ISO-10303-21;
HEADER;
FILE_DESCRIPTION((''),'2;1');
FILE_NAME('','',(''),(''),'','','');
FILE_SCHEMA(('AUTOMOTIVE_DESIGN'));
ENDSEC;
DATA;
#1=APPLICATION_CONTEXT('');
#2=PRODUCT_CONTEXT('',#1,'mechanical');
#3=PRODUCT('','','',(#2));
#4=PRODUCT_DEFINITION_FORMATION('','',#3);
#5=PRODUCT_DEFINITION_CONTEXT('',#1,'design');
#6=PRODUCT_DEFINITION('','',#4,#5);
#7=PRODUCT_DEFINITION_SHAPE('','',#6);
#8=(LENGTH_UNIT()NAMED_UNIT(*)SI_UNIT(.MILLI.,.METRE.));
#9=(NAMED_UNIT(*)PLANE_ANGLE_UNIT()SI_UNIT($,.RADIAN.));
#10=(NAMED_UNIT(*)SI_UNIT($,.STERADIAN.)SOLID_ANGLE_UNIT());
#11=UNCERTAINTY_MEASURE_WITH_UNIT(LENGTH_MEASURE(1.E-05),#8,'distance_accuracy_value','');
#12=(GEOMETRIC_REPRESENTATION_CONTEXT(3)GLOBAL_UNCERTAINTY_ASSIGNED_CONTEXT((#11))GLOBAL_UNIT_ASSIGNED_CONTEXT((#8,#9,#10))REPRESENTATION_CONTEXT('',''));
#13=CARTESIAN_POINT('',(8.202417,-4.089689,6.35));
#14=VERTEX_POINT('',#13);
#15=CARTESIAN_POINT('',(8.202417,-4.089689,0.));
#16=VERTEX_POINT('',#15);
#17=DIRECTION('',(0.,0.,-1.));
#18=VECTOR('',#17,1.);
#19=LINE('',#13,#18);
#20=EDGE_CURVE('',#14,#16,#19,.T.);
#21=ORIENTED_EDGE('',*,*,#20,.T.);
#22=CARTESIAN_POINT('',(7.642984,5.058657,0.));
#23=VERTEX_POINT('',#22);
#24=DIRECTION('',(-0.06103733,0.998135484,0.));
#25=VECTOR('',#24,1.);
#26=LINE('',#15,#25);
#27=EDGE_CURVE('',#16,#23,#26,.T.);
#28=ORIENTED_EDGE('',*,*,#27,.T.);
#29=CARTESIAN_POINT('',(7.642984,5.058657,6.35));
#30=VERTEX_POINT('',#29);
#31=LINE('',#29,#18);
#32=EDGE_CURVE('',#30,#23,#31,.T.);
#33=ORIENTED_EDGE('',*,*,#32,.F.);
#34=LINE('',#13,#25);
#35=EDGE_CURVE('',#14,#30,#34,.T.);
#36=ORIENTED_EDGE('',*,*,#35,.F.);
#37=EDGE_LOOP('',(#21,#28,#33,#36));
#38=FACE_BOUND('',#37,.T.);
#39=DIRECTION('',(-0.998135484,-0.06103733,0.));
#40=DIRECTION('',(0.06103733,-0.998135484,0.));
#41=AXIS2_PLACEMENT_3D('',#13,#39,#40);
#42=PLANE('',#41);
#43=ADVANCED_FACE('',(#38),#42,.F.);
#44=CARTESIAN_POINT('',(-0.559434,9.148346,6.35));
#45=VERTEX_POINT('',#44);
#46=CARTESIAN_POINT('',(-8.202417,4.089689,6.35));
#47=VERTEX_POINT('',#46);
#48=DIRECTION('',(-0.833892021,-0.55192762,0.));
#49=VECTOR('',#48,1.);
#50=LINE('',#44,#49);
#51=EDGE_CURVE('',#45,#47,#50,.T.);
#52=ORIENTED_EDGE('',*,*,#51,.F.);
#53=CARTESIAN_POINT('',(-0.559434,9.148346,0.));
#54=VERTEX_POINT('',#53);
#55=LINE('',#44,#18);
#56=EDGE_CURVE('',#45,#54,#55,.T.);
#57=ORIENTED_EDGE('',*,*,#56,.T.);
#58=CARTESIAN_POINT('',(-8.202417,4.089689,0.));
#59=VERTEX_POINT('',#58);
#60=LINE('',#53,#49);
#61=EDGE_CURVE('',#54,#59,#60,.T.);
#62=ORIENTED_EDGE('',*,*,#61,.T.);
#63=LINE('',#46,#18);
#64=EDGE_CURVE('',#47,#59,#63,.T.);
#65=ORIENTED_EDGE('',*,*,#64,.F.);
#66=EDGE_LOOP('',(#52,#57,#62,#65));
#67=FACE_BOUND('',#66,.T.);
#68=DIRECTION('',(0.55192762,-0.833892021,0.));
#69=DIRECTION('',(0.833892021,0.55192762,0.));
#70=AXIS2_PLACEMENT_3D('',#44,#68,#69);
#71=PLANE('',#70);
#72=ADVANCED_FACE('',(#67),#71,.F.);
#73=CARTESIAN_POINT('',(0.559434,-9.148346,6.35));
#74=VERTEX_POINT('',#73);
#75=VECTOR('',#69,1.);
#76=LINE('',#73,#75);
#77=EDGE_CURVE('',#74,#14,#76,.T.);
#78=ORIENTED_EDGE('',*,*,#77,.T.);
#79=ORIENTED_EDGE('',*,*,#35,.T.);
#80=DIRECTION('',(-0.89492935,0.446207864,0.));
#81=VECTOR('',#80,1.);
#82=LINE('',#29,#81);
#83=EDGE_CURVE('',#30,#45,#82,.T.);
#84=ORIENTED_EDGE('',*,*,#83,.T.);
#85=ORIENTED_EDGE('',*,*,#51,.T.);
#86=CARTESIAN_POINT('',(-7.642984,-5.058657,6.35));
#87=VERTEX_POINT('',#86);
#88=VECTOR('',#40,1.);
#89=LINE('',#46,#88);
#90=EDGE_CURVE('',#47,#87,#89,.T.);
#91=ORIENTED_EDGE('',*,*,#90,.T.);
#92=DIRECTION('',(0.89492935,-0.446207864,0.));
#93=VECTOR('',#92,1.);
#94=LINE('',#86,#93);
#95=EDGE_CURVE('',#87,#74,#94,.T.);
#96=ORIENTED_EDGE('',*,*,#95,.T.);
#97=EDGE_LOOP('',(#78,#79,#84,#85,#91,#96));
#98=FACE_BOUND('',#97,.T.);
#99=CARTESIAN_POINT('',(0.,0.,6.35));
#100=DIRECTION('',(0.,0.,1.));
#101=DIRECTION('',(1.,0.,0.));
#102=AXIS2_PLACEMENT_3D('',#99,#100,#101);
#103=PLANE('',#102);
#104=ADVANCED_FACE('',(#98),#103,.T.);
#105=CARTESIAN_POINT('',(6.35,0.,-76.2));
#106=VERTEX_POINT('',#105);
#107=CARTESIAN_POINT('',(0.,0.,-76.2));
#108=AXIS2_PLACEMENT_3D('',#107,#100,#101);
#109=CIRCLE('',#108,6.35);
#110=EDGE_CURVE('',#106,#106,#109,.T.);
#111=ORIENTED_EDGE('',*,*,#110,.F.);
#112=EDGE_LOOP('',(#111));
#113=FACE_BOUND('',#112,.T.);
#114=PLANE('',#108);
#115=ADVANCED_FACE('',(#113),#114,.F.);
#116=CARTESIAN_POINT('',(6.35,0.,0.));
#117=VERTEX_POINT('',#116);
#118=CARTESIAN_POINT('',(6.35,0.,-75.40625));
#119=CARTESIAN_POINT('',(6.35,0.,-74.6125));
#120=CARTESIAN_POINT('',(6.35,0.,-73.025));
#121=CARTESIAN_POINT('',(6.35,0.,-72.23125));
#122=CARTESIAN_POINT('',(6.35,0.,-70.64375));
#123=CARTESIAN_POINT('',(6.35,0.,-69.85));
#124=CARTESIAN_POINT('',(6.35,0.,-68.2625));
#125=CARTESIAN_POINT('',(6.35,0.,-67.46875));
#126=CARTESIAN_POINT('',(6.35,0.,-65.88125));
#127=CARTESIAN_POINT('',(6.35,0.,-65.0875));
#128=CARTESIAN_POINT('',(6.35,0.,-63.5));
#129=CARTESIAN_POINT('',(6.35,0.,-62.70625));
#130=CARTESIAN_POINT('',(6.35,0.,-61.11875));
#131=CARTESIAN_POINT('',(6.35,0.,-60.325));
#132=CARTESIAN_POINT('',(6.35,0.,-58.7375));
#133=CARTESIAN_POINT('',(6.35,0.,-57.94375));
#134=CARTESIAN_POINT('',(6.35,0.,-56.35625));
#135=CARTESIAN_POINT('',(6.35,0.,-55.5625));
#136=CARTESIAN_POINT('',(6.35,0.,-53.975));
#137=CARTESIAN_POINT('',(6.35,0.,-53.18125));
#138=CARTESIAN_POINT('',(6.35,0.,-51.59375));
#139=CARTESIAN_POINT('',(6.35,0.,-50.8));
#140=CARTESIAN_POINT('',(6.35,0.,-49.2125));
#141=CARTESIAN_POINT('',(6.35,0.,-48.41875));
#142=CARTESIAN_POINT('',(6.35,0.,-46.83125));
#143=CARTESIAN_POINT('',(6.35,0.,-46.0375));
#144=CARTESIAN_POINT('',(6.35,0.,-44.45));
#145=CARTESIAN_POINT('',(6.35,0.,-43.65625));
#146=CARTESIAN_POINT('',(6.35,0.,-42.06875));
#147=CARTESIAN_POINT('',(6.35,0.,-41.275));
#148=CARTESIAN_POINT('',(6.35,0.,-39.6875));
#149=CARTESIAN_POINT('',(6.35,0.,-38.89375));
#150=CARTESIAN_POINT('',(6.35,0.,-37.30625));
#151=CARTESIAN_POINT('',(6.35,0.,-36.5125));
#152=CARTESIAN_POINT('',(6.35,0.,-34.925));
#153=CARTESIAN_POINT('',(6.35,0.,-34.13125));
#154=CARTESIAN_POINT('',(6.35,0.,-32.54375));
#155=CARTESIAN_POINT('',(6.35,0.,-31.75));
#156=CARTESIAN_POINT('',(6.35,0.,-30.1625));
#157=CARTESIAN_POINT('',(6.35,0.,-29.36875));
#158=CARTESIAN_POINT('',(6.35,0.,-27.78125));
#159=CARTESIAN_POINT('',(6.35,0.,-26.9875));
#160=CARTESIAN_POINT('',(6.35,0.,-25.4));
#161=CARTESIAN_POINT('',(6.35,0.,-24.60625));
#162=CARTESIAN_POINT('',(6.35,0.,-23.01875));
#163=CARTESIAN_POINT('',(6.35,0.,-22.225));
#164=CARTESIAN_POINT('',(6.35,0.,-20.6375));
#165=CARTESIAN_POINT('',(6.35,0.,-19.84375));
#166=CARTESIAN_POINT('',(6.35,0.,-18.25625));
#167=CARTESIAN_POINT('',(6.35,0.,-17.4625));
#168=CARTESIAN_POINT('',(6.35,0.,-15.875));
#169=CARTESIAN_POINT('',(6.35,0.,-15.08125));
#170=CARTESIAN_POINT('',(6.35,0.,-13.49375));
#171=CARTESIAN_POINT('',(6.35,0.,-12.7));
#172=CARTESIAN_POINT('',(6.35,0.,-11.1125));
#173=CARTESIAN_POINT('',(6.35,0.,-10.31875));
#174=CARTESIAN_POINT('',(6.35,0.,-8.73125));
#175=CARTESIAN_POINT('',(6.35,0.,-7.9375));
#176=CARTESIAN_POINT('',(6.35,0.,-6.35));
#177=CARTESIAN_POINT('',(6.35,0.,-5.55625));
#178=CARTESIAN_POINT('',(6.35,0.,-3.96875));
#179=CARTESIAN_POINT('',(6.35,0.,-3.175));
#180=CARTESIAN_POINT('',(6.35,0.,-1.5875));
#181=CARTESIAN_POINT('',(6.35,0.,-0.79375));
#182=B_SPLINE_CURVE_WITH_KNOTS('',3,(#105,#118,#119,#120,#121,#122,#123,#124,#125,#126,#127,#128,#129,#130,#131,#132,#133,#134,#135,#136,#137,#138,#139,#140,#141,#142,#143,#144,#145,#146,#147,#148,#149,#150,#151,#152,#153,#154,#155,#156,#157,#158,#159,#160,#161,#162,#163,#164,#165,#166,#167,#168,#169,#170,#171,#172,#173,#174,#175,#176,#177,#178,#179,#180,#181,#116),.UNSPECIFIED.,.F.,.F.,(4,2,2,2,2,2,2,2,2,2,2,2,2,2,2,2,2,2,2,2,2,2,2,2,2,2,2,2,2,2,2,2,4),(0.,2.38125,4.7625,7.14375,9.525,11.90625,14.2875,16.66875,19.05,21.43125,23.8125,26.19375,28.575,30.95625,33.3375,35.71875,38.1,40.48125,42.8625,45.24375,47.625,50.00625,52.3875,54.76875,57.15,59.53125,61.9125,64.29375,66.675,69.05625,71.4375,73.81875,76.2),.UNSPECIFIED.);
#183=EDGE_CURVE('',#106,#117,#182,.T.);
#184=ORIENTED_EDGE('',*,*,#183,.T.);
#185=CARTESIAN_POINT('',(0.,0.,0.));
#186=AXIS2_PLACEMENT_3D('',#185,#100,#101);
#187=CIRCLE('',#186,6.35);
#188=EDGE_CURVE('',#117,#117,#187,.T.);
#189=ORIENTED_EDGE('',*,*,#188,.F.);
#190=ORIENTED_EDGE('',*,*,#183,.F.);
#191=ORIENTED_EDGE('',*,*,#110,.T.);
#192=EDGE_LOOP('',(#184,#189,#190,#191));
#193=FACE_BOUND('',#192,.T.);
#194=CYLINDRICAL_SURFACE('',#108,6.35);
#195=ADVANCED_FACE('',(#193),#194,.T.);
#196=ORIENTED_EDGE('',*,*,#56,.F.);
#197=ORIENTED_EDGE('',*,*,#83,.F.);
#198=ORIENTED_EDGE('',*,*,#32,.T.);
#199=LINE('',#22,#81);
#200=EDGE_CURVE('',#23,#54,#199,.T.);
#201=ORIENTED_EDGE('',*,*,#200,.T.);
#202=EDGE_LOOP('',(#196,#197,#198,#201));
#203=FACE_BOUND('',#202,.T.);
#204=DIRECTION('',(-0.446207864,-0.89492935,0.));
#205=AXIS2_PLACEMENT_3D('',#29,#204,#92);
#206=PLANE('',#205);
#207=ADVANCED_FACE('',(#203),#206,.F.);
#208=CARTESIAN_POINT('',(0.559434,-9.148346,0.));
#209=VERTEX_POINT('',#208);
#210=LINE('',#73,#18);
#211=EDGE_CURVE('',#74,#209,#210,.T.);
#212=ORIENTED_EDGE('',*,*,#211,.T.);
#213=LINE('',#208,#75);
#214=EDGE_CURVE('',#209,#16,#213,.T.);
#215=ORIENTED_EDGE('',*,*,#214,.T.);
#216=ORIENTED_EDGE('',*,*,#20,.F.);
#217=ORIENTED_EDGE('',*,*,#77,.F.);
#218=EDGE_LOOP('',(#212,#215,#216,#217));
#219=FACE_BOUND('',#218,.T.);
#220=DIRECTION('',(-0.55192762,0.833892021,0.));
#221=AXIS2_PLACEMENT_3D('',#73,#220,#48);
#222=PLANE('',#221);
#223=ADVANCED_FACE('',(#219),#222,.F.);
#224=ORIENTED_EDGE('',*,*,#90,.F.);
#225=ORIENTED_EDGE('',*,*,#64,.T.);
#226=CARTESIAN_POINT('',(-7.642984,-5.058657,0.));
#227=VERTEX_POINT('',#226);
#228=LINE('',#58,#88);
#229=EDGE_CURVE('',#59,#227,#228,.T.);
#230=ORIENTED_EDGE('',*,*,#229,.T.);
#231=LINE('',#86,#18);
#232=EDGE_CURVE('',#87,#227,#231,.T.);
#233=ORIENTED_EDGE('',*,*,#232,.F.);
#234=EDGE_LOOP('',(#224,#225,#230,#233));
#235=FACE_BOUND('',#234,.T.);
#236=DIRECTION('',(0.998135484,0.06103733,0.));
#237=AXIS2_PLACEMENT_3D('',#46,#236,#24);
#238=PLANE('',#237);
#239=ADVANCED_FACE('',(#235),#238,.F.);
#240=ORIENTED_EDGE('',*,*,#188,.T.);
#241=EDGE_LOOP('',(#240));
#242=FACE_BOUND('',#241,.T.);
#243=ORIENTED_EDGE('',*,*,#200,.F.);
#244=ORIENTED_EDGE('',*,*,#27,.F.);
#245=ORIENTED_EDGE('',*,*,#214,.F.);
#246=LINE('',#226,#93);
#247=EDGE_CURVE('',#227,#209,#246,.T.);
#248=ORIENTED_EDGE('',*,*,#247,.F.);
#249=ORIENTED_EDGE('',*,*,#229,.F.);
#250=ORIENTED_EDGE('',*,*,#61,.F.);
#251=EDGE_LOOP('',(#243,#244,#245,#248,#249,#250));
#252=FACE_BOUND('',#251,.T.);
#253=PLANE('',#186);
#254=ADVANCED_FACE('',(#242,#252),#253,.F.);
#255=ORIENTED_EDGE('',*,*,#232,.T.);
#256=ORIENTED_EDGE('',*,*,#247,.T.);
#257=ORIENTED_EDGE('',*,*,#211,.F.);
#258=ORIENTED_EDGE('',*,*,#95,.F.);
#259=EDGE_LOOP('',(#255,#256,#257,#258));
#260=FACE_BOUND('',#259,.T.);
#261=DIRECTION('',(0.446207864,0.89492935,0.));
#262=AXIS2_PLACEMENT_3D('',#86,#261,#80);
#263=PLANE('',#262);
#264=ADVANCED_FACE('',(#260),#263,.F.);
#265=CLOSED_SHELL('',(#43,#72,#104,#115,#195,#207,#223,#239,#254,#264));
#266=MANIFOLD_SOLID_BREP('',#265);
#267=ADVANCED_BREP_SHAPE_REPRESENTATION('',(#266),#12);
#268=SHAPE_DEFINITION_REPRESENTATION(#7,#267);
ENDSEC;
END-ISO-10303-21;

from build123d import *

# Parameters (mm, degrees)
CROQUIS1_R              = 6.35
SALIENTE_EXTRUIR1_DEPTH = 76.2
SALIENTE_EXTRUIR2_DEPTH = 6.35


with BuildPart() as part:
    # Croquis1 → Saliente-Extruir1 (new body)
    with BuildSketch(Plane.XY):
        Circle(CROQUIS1_R)
    extrude(amount=-SALIENTE_EXTRUIR1_DEPTH)

    # Croquis2 → Saliente-Extruir2 (add)
    with BuildSketch(Plane.XY):
        Polygon((8.20241726, -4.089689405), (7.642983548, 5.058657017), (-0.559433712, 9.148346422), (-8.20241726, 4.089689405), (-7.642983548, -5.058657017), (0.559433712, -9.148346422), align=None)
    extrude(amount=SALIENTE_EXTRUIR2_DEPTH)


solid = part.part
